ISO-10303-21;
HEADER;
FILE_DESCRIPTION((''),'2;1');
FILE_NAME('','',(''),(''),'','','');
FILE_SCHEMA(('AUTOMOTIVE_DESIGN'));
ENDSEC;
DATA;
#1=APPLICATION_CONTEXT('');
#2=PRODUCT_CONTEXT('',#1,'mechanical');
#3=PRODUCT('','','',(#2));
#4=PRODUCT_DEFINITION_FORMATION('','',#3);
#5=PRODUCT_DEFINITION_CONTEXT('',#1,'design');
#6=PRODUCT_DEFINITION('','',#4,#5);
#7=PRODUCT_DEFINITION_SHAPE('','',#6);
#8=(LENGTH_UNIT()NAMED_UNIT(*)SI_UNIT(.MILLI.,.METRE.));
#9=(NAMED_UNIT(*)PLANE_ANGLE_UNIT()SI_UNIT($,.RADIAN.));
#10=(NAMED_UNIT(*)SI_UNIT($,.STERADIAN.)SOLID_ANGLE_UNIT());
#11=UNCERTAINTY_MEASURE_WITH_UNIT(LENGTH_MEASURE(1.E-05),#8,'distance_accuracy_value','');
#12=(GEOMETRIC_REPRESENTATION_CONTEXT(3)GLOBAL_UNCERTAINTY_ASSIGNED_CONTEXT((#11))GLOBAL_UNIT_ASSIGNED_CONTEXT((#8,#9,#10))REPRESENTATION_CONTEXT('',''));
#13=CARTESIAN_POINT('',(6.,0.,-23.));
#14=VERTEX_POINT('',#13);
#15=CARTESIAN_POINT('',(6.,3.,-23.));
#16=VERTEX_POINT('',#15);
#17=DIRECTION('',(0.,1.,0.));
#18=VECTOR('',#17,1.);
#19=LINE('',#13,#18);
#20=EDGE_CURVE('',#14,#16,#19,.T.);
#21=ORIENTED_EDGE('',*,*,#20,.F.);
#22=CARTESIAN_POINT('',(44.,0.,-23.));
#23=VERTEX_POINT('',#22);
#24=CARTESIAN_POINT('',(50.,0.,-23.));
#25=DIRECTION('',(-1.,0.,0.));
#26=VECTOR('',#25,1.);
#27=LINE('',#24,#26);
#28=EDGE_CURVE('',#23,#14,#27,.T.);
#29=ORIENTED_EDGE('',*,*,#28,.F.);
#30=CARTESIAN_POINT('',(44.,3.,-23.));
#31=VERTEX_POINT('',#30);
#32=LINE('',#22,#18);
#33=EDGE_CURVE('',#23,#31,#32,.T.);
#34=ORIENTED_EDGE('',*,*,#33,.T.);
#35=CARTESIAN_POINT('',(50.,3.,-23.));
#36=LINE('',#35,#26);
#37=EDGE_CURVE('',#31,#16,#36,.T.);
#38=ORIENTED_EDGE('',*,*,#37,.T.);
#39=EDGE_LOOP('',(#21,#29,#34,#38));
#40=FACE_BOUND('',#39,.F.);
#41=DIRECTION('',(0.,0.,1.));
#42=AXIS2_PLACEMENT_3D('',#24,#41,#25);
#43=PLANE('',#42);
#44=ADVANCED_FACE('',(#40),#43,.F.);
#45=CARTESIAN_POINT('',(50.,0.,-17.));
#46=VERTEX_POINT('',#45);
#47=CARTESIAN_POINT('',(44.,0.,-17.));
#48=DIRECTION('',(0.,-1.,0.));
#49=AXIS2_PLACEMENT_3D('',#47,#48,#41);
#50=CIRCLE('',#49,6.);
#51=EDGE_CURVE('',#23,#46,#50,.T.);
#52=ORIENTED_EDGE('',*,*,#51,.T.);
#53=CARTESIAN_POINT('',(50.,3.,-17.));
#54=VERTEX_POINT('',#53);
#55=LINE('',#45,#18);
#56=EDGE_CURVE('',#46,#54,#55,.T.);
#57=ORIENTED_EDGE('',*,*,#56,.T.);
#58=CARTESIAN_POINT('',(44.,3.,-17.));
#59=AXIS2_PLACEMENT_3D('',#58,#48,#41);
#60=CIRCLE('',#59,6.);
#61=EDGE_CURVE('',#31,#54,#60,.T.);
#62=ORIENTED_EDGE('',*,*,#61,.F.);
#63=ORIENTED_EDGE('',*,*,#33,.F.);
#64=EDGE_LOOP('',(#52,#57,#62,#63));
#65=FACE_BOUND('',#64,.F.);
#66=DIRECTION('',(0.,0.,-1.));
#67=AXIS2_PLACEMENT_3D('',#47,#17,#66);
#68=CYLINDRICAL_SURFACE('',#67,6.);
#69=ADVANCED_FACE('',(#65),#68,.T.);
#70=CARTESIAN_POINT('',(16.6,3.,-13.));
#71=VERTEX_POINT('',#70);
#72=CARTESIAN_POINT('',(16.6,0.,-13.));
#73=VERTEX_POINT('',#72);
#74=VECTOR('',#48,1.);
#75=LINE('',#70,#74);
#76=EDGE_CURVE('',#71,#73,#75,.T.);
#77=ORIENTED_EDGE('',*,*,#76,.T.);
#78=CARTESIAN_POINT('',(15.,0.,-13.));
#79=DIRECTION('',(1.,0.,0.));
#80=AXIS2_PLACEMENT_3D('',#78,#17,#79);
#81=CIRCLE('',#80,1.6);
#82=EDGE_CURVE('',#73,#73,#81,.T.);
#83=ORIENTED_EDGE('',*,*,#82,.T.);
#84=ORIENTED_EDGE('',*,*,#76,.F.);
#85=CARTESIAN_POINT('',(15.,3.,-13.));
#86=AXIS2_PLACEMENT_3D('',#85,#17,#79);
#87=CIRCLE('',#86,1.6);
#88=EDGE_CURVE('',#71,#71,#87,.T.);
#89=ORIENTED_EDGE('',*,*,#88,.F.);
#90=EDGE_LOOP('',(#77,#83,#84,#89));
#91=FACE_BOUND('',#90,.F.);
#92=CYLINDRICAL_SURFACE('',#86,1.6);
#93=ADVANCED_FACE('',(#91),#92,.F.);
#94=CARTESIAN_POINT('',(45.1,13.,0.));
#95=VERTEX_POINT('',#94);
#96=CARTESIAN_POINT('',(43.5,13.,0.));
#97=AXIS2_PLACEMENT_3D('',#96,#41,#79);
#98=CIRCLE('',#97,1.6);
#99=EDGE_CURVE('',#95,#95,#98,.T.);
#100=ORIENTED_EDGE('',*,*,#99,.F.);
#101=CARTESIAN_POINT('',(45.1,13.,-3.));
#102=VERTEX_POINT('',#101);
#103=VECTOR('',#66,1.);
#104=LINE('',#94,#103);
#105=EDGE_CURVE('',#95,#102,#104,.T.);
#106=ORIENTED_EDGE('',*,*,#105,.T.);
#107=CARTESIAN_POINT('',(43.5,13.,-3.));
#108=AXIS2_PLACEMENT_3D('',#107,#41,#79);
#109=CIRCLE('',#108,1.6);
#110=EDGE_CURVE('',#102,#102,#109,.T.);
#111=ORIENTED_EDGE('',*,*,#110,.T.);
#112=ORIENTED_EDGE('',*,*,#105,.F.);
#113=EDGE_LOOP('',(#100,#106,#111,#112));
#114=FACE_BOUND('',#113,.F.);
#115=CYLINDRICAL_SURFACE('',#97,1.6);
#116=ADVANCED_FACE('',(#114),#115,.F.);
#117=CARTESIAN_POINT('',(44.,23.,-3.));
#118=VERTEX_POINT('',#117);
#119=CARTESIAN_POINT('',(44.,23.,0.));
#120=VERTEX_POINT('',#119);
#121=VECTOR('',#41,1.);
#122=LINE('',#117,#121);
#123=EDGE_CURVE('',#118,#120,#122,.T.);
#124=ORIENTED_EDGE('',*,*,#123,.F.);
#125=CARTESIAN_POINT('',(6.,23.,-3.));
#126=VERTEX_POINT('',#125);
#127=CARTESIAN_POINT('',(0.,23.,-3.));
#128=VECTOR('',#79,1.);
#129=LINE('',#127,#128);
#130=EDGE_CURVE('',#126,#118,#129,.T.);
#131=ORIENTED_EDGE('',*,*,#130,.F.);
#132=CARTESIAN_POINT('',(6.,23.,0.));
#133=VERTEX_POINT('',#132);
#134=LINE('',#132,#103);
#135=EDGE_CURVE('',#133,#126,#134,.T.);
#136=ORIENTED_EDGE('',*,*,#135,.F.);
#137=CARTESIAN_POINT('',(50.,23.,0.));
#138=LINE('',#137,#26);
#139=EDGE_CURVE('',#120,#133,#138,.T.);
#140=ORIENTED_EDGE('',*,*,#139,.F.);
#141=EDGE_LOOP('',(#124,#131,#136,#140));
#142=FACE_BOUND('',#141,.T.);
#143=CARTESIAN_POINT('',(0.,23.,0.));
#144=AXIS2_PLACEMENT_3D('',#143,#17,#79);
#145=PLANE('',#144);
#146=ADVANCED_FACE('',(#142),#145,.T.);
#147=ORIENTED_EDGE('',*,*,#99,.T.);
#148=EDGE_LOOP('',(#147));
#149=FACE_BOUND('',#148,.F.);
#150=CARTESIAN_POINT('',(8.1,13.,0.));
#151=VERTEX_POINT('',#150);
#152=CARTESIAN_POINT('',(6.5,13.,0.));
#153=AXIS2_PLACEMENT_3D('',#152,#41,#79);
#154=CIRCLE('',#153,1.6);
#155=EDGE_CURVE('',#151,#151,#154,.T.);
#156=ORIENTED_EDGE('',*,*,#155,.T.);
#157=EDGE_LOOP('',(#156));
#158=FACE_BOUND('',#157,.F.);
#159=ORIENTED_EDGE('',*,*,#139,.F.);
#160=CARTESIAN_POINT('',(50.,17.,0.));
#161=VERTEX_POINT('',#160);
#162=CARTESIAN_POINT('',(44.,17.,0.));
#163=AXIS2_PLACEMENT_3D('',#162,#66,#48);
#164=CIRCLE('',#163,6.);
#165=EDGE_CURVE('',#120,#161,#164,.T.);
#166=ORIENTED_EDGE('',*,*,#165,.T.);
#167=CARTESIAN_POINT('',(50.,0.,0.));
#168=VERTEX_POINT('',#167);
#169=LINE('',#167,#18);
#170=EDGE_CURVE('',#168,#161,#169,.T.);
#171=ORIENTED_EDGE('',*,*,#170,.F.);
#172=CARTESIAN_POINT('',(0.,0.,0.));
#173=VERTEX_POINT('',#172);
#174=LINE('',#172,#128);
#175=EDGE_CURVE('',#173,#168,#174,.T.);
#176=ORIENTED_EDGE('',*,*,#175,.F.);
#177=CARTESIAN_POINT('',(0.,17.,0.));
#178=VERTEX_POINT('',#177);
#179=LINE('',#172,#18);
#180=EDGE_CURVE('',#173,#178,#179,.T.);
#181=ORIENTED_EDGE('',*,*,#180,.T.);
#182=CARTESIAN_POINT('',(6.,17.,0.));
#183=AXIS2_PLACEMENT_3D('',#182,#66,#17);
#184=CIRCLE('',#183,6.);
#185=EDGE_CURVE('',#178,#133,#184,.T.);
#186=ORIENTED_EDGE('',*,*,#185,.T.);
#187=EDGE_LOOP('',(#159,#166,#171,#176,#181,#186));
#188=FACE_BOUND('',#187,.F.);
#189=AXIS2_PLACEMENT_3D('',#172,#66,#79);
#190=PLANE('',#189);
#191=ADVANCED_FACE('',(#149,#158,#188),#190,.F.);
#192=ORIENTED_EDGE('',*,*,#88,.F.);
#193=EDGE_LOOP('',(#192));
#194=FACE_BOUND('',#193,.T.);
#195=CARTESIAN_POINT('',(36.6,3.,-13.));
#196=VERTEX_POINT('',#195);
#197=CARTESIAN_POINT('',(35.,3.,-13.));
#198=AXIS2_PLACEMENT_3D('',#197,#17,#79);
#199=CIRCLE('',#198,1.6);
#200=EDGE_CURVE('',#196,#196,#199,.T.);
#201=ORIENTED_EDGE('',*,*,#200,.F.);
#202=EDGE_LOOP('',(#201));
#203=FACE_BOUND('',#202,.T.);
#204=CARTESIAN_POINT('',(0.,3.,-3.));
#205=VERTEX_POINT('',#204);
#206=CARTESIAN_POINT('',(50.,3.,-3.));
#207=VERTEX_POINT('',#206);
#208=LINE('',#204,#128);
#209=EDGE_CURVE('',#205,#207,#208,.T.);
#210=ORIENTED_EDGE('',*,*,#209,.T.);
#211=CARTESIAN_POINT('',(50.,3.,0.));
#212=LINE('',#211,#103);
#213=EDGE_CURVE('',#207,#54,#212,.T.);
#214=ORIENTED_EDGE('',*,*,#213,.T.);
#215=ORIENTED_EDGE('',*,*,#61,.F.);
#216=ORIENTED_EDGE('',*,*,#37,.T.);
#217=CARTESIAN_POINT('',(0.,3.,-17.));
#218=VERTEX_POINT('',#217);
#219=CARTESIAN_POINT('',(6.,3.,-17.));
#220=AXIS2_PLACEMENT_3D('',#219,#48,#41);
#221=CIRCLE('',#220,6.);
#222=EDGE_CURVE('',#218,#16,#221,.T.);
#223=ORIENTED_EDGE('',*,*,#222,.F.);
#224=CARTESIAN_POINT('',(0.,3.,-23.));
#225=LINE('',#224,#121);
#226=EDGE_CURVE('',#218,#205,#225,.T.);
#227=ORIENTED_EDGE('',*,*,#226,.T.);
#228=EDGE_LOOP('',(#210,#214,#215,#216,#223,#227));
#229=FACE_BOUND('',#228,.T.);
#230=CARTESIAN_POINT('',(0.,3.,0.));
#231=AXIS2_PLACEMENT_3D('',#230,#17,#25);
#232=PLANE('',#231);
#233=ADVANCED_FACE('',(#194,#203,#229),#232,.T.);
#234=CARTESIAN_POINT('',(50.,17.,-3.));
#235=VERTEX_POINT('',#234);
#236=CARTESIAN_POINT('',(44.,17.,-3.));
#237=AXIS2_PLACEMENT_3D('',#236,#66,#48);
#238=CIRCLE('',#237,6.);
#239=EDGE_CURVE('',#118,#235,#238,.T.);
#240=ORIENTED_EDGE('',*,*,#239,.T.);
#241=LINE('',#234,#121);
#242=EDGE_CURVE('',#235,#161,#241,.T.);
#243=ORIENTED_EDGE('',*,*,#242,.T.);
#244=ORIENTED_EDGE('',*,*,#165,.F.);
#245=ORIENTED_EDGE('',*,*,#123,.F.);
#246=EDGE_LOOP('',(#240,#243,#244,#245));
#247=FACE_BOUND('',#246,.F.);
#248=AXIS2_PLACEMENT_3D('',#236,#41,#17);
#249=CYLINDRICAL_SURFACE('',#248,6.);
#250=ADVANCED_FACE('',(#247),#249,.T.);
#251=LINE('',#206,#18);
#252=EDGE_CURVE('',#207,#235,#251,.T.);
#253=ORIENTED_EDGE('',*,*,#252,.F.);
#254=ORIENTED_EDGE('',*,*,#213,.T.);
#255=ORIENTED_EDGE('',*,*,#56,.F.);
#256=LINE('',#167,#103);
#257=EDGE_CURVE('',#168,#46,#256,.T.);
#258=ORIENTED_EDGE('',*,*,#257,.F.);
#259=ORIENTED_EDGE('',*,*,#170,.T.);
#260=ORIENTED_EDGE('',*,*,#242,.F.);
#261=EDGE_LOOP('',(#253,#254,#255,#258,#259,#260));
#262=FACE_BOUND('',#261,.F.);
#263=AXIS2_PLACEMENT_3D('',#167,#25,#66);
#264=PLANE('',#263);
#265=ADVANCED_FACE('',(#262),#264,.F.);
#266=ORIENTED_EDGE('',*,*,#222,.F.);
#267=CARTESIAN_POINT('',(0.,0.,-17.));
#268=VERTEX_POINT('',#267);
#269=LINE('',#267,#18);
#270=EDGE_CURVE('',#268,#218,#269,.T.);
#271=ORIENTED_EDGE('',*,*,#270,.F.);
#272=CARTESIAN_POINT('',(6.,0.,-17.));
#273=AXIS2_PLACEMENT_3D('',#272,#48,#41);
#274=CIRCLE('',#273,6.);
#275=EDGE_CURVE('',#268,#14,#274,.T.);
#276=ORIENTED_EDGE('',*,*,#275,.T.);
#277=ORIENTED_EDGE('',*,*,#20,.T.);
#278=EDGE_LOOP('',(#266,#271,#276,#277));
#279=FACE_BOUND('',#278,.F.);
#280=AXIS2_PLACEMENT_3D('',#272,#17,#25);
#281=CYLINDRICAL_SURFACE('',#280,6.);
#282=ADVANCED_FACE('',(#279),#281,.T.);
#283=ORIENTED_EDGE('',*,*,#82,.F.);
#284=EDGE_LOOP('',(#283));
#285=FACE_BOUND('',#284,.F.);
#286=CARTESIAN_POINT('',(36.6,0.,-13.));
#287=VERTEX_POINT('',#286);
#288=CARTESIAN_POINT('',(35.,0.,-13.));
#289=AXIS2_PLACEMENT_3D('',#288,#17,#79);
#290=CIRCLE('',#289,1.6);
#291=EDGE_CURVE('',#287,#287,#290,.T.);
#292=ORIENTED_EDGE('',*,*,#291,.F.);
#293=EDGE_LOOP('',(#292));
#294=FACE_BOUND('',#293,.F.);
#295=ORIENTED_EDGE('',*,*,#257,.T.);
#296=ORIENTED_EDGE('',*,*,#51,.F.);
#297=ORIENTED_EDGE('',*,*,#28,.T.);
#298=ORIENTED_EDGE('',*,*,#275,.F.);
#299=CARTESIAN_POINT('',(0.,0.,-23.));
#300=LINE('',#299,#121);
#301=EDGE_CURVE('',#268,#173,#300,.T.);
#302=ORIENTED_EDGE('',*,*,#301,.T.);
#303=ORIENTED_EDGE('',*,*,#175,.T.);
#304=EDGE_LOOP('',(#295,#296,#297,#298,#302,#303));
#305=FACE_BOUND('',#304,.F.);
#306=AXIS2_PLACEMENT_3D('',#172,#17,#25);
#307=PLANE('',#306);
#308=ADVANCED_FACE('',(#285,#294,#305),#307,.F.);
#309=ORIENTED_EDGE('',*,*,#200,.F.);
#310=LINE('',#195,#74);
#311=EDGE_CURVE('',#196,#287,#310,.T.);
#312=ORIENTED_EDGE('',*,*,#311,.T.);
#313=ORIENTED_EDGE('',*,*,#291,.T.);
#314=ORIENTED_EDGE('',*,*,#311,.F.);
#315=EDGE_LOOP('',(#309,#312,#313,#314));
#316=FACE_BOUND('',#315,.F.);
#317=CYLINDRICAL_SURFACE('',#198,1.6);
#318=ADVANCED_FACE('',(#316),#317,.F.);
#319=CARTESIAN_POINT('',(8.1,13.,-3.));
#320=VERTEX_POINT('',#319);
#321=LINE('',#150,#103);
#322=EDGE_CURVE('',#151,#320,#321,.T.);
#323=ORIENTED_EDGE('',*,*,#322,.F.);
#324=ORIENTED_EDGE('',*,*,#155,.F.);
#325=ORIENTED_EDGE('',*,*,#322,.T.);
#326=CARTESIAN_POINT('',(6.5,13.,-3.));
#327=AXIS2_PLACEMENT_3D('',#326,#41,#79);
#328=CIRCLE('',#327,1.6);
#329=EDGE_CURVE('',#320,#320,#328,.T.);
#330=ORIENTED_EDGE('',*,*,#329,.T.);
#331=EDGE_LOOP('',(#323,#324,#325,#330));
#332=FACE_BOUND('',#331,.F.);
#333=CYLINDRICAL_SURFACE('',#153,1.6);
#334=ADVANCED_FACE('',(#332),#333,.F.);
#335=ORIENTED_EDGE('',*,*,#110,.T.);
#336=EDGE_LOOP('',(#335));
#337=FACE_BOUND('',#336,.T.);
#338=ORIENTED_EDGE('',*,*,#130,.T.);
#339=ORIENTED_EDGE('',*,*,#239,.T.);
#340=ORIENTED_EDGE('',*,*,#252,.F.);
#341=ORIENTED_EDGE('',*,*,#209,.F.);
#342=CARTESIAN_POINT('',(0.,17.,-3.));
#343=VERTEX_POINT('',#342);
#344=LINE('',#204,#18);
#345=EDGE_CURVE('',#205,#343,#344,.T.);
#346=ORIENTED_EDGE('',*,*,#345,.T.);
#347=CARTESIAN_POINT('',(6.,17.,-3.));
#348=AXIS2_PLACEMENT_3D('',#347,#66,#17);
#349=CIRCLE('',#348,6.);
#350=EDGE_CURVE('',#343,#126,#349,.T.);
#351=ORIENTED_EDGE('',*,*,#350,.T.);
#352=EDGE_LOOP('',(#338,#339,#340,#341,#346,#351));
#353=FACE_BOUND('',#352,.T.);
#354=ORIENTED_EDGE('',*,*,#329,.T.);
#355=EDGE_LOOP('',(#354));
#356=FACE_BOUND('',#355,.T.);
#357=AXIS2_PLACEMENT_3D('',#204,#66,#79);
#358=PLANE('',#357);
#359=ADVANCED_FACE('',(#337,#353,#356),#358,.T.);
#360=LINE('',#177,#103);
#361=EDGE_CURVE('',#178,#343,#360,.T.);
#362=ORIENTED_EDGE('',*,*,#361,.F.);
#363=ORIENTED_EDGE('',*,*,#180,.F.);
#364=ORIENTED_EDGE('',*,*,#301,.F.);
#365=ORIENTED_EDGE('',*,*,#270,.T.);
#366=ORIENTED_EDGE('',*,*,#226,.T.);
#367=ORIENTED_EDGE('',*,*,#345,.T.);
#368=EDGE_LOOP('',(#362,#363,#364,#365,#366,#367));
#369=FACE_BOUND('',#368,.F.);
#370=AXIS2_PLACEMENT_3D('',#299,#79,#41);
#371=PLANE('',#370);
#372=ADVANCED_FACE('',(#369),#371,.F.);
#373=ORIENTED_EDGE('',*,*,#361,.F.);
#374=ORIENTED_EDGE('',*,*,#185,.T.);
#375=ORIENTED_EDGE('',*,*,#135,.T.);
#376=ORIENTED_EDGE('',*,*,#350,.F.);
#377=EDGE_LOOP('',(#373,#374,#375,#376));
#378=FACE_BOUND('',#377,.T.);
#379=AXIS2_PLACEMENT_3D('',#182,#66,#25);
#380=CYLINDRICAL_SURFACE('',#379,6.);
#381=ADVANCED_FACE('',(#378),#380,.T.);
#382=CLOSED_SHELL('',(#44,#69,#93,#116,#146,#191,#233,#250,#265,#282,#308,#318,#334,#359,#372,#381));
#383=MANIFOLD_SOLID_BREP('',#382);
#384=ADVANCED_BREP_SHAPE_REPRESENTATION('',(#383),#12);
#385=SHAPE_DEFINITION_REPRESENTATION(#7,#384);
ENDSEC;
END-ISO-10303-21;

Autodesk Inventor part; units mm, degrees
ref_plane "YZ Plane" through (0, 0, 0) normal (1, 0, 0) x (0, 1, 0)
ref_plane "XZ Plane" through (0, 0, 0) normal (0, 1, 0) x (-1, 0, 0)
ref_plane "XY Plane" through (0, 0, 0) normal (0, 0, 1) x (1, 0, 0)
sketch "Sketch1" plane through (0, 0, 0) normal (0, 1, 0) x (-1, 0, 0)
  line L0 (0, 0) -> (-50, 0)
  line L1 (-50, 0) -> (-50, -23)
  line L2 (-50, -23) -> (0, -23)
  line L3 (0, -23) -> (0, 0)
  dimension "d0" = 50
  dimension "d1" = 23
extrude "Extrusion1" add sketch "Sketch1" along normal blind 3
sketch "Sketch2" plane through (0, 3, 0) normal (0, 1, 0) x (1, 0, 0)
  line L0 (0, 23) -> (0, 0) construction
  line L1 (0, 0) -> (50, 0) construction
  line L2 (50, 0) -> (50, 23) construction
  line L3 (0, 3) -> (50, 3)
  line L4 (50, 3) -> (50, 0)
  line L5 (50, 0) -> (0, 0)
  line L6 (0, 0) -> (0, 3)
  dimension "d4" = 3
extrude "Extrusion2" add sketch "Sketch2" along normal blind 20
sketch "Sketch3" plane through (0, 0, 0) normal (0, 0, 1) x (1, 0, 0)
  circle A0 centre (6.5, 13) radius 1.6
  circle A1 centre (43.5, 13) radius 1.6
  line L0 (0, 0) -> (0, 23) projected
  line L1 (0, 23) -> (50, 23) projected
  dimension "d7" = 3.2
  dimension "d8" = 3.2
  dimension "d9" = 37
  dimension "d10" = 6.5
  dimension "d11" = 10
  dimension "d12" = 10
extrude "Extrusion3" cut sketch "Sketch3" against normal through all
fillet "Fillet1" radius 6 4 edges at (0, 23, -1.5) (50, 23, -1.5) (0, 1.5, -23) (50, 1.5, -23)
sketch "Sketch4" plane through (0, 3, 0) normal (0, 1, 0) x (1, 0, 0)
  circle A0 centre (35, 13) radius 1.6
  circle A1 centre (15, 13) radius 1.6
  line L0 (44, 23) -> (6, 23) projected
  line L1 (50, 3) -> (50, 17) projected
  point P0 (0, 0)
  point P1 (50, 5)
  dimension "d17" = 3.2
  dimension "d18" = 3.2
  dimension "d19" = 10
  dimension "d20" = 20
  dimension "d21" = 15
extrude "Extrusion4" cut sketch "Sketch4" against normal through all
equation "\"d8\" = d7"
equation "\"d12\" = d11"
properties part number "FrontIRHolder"
